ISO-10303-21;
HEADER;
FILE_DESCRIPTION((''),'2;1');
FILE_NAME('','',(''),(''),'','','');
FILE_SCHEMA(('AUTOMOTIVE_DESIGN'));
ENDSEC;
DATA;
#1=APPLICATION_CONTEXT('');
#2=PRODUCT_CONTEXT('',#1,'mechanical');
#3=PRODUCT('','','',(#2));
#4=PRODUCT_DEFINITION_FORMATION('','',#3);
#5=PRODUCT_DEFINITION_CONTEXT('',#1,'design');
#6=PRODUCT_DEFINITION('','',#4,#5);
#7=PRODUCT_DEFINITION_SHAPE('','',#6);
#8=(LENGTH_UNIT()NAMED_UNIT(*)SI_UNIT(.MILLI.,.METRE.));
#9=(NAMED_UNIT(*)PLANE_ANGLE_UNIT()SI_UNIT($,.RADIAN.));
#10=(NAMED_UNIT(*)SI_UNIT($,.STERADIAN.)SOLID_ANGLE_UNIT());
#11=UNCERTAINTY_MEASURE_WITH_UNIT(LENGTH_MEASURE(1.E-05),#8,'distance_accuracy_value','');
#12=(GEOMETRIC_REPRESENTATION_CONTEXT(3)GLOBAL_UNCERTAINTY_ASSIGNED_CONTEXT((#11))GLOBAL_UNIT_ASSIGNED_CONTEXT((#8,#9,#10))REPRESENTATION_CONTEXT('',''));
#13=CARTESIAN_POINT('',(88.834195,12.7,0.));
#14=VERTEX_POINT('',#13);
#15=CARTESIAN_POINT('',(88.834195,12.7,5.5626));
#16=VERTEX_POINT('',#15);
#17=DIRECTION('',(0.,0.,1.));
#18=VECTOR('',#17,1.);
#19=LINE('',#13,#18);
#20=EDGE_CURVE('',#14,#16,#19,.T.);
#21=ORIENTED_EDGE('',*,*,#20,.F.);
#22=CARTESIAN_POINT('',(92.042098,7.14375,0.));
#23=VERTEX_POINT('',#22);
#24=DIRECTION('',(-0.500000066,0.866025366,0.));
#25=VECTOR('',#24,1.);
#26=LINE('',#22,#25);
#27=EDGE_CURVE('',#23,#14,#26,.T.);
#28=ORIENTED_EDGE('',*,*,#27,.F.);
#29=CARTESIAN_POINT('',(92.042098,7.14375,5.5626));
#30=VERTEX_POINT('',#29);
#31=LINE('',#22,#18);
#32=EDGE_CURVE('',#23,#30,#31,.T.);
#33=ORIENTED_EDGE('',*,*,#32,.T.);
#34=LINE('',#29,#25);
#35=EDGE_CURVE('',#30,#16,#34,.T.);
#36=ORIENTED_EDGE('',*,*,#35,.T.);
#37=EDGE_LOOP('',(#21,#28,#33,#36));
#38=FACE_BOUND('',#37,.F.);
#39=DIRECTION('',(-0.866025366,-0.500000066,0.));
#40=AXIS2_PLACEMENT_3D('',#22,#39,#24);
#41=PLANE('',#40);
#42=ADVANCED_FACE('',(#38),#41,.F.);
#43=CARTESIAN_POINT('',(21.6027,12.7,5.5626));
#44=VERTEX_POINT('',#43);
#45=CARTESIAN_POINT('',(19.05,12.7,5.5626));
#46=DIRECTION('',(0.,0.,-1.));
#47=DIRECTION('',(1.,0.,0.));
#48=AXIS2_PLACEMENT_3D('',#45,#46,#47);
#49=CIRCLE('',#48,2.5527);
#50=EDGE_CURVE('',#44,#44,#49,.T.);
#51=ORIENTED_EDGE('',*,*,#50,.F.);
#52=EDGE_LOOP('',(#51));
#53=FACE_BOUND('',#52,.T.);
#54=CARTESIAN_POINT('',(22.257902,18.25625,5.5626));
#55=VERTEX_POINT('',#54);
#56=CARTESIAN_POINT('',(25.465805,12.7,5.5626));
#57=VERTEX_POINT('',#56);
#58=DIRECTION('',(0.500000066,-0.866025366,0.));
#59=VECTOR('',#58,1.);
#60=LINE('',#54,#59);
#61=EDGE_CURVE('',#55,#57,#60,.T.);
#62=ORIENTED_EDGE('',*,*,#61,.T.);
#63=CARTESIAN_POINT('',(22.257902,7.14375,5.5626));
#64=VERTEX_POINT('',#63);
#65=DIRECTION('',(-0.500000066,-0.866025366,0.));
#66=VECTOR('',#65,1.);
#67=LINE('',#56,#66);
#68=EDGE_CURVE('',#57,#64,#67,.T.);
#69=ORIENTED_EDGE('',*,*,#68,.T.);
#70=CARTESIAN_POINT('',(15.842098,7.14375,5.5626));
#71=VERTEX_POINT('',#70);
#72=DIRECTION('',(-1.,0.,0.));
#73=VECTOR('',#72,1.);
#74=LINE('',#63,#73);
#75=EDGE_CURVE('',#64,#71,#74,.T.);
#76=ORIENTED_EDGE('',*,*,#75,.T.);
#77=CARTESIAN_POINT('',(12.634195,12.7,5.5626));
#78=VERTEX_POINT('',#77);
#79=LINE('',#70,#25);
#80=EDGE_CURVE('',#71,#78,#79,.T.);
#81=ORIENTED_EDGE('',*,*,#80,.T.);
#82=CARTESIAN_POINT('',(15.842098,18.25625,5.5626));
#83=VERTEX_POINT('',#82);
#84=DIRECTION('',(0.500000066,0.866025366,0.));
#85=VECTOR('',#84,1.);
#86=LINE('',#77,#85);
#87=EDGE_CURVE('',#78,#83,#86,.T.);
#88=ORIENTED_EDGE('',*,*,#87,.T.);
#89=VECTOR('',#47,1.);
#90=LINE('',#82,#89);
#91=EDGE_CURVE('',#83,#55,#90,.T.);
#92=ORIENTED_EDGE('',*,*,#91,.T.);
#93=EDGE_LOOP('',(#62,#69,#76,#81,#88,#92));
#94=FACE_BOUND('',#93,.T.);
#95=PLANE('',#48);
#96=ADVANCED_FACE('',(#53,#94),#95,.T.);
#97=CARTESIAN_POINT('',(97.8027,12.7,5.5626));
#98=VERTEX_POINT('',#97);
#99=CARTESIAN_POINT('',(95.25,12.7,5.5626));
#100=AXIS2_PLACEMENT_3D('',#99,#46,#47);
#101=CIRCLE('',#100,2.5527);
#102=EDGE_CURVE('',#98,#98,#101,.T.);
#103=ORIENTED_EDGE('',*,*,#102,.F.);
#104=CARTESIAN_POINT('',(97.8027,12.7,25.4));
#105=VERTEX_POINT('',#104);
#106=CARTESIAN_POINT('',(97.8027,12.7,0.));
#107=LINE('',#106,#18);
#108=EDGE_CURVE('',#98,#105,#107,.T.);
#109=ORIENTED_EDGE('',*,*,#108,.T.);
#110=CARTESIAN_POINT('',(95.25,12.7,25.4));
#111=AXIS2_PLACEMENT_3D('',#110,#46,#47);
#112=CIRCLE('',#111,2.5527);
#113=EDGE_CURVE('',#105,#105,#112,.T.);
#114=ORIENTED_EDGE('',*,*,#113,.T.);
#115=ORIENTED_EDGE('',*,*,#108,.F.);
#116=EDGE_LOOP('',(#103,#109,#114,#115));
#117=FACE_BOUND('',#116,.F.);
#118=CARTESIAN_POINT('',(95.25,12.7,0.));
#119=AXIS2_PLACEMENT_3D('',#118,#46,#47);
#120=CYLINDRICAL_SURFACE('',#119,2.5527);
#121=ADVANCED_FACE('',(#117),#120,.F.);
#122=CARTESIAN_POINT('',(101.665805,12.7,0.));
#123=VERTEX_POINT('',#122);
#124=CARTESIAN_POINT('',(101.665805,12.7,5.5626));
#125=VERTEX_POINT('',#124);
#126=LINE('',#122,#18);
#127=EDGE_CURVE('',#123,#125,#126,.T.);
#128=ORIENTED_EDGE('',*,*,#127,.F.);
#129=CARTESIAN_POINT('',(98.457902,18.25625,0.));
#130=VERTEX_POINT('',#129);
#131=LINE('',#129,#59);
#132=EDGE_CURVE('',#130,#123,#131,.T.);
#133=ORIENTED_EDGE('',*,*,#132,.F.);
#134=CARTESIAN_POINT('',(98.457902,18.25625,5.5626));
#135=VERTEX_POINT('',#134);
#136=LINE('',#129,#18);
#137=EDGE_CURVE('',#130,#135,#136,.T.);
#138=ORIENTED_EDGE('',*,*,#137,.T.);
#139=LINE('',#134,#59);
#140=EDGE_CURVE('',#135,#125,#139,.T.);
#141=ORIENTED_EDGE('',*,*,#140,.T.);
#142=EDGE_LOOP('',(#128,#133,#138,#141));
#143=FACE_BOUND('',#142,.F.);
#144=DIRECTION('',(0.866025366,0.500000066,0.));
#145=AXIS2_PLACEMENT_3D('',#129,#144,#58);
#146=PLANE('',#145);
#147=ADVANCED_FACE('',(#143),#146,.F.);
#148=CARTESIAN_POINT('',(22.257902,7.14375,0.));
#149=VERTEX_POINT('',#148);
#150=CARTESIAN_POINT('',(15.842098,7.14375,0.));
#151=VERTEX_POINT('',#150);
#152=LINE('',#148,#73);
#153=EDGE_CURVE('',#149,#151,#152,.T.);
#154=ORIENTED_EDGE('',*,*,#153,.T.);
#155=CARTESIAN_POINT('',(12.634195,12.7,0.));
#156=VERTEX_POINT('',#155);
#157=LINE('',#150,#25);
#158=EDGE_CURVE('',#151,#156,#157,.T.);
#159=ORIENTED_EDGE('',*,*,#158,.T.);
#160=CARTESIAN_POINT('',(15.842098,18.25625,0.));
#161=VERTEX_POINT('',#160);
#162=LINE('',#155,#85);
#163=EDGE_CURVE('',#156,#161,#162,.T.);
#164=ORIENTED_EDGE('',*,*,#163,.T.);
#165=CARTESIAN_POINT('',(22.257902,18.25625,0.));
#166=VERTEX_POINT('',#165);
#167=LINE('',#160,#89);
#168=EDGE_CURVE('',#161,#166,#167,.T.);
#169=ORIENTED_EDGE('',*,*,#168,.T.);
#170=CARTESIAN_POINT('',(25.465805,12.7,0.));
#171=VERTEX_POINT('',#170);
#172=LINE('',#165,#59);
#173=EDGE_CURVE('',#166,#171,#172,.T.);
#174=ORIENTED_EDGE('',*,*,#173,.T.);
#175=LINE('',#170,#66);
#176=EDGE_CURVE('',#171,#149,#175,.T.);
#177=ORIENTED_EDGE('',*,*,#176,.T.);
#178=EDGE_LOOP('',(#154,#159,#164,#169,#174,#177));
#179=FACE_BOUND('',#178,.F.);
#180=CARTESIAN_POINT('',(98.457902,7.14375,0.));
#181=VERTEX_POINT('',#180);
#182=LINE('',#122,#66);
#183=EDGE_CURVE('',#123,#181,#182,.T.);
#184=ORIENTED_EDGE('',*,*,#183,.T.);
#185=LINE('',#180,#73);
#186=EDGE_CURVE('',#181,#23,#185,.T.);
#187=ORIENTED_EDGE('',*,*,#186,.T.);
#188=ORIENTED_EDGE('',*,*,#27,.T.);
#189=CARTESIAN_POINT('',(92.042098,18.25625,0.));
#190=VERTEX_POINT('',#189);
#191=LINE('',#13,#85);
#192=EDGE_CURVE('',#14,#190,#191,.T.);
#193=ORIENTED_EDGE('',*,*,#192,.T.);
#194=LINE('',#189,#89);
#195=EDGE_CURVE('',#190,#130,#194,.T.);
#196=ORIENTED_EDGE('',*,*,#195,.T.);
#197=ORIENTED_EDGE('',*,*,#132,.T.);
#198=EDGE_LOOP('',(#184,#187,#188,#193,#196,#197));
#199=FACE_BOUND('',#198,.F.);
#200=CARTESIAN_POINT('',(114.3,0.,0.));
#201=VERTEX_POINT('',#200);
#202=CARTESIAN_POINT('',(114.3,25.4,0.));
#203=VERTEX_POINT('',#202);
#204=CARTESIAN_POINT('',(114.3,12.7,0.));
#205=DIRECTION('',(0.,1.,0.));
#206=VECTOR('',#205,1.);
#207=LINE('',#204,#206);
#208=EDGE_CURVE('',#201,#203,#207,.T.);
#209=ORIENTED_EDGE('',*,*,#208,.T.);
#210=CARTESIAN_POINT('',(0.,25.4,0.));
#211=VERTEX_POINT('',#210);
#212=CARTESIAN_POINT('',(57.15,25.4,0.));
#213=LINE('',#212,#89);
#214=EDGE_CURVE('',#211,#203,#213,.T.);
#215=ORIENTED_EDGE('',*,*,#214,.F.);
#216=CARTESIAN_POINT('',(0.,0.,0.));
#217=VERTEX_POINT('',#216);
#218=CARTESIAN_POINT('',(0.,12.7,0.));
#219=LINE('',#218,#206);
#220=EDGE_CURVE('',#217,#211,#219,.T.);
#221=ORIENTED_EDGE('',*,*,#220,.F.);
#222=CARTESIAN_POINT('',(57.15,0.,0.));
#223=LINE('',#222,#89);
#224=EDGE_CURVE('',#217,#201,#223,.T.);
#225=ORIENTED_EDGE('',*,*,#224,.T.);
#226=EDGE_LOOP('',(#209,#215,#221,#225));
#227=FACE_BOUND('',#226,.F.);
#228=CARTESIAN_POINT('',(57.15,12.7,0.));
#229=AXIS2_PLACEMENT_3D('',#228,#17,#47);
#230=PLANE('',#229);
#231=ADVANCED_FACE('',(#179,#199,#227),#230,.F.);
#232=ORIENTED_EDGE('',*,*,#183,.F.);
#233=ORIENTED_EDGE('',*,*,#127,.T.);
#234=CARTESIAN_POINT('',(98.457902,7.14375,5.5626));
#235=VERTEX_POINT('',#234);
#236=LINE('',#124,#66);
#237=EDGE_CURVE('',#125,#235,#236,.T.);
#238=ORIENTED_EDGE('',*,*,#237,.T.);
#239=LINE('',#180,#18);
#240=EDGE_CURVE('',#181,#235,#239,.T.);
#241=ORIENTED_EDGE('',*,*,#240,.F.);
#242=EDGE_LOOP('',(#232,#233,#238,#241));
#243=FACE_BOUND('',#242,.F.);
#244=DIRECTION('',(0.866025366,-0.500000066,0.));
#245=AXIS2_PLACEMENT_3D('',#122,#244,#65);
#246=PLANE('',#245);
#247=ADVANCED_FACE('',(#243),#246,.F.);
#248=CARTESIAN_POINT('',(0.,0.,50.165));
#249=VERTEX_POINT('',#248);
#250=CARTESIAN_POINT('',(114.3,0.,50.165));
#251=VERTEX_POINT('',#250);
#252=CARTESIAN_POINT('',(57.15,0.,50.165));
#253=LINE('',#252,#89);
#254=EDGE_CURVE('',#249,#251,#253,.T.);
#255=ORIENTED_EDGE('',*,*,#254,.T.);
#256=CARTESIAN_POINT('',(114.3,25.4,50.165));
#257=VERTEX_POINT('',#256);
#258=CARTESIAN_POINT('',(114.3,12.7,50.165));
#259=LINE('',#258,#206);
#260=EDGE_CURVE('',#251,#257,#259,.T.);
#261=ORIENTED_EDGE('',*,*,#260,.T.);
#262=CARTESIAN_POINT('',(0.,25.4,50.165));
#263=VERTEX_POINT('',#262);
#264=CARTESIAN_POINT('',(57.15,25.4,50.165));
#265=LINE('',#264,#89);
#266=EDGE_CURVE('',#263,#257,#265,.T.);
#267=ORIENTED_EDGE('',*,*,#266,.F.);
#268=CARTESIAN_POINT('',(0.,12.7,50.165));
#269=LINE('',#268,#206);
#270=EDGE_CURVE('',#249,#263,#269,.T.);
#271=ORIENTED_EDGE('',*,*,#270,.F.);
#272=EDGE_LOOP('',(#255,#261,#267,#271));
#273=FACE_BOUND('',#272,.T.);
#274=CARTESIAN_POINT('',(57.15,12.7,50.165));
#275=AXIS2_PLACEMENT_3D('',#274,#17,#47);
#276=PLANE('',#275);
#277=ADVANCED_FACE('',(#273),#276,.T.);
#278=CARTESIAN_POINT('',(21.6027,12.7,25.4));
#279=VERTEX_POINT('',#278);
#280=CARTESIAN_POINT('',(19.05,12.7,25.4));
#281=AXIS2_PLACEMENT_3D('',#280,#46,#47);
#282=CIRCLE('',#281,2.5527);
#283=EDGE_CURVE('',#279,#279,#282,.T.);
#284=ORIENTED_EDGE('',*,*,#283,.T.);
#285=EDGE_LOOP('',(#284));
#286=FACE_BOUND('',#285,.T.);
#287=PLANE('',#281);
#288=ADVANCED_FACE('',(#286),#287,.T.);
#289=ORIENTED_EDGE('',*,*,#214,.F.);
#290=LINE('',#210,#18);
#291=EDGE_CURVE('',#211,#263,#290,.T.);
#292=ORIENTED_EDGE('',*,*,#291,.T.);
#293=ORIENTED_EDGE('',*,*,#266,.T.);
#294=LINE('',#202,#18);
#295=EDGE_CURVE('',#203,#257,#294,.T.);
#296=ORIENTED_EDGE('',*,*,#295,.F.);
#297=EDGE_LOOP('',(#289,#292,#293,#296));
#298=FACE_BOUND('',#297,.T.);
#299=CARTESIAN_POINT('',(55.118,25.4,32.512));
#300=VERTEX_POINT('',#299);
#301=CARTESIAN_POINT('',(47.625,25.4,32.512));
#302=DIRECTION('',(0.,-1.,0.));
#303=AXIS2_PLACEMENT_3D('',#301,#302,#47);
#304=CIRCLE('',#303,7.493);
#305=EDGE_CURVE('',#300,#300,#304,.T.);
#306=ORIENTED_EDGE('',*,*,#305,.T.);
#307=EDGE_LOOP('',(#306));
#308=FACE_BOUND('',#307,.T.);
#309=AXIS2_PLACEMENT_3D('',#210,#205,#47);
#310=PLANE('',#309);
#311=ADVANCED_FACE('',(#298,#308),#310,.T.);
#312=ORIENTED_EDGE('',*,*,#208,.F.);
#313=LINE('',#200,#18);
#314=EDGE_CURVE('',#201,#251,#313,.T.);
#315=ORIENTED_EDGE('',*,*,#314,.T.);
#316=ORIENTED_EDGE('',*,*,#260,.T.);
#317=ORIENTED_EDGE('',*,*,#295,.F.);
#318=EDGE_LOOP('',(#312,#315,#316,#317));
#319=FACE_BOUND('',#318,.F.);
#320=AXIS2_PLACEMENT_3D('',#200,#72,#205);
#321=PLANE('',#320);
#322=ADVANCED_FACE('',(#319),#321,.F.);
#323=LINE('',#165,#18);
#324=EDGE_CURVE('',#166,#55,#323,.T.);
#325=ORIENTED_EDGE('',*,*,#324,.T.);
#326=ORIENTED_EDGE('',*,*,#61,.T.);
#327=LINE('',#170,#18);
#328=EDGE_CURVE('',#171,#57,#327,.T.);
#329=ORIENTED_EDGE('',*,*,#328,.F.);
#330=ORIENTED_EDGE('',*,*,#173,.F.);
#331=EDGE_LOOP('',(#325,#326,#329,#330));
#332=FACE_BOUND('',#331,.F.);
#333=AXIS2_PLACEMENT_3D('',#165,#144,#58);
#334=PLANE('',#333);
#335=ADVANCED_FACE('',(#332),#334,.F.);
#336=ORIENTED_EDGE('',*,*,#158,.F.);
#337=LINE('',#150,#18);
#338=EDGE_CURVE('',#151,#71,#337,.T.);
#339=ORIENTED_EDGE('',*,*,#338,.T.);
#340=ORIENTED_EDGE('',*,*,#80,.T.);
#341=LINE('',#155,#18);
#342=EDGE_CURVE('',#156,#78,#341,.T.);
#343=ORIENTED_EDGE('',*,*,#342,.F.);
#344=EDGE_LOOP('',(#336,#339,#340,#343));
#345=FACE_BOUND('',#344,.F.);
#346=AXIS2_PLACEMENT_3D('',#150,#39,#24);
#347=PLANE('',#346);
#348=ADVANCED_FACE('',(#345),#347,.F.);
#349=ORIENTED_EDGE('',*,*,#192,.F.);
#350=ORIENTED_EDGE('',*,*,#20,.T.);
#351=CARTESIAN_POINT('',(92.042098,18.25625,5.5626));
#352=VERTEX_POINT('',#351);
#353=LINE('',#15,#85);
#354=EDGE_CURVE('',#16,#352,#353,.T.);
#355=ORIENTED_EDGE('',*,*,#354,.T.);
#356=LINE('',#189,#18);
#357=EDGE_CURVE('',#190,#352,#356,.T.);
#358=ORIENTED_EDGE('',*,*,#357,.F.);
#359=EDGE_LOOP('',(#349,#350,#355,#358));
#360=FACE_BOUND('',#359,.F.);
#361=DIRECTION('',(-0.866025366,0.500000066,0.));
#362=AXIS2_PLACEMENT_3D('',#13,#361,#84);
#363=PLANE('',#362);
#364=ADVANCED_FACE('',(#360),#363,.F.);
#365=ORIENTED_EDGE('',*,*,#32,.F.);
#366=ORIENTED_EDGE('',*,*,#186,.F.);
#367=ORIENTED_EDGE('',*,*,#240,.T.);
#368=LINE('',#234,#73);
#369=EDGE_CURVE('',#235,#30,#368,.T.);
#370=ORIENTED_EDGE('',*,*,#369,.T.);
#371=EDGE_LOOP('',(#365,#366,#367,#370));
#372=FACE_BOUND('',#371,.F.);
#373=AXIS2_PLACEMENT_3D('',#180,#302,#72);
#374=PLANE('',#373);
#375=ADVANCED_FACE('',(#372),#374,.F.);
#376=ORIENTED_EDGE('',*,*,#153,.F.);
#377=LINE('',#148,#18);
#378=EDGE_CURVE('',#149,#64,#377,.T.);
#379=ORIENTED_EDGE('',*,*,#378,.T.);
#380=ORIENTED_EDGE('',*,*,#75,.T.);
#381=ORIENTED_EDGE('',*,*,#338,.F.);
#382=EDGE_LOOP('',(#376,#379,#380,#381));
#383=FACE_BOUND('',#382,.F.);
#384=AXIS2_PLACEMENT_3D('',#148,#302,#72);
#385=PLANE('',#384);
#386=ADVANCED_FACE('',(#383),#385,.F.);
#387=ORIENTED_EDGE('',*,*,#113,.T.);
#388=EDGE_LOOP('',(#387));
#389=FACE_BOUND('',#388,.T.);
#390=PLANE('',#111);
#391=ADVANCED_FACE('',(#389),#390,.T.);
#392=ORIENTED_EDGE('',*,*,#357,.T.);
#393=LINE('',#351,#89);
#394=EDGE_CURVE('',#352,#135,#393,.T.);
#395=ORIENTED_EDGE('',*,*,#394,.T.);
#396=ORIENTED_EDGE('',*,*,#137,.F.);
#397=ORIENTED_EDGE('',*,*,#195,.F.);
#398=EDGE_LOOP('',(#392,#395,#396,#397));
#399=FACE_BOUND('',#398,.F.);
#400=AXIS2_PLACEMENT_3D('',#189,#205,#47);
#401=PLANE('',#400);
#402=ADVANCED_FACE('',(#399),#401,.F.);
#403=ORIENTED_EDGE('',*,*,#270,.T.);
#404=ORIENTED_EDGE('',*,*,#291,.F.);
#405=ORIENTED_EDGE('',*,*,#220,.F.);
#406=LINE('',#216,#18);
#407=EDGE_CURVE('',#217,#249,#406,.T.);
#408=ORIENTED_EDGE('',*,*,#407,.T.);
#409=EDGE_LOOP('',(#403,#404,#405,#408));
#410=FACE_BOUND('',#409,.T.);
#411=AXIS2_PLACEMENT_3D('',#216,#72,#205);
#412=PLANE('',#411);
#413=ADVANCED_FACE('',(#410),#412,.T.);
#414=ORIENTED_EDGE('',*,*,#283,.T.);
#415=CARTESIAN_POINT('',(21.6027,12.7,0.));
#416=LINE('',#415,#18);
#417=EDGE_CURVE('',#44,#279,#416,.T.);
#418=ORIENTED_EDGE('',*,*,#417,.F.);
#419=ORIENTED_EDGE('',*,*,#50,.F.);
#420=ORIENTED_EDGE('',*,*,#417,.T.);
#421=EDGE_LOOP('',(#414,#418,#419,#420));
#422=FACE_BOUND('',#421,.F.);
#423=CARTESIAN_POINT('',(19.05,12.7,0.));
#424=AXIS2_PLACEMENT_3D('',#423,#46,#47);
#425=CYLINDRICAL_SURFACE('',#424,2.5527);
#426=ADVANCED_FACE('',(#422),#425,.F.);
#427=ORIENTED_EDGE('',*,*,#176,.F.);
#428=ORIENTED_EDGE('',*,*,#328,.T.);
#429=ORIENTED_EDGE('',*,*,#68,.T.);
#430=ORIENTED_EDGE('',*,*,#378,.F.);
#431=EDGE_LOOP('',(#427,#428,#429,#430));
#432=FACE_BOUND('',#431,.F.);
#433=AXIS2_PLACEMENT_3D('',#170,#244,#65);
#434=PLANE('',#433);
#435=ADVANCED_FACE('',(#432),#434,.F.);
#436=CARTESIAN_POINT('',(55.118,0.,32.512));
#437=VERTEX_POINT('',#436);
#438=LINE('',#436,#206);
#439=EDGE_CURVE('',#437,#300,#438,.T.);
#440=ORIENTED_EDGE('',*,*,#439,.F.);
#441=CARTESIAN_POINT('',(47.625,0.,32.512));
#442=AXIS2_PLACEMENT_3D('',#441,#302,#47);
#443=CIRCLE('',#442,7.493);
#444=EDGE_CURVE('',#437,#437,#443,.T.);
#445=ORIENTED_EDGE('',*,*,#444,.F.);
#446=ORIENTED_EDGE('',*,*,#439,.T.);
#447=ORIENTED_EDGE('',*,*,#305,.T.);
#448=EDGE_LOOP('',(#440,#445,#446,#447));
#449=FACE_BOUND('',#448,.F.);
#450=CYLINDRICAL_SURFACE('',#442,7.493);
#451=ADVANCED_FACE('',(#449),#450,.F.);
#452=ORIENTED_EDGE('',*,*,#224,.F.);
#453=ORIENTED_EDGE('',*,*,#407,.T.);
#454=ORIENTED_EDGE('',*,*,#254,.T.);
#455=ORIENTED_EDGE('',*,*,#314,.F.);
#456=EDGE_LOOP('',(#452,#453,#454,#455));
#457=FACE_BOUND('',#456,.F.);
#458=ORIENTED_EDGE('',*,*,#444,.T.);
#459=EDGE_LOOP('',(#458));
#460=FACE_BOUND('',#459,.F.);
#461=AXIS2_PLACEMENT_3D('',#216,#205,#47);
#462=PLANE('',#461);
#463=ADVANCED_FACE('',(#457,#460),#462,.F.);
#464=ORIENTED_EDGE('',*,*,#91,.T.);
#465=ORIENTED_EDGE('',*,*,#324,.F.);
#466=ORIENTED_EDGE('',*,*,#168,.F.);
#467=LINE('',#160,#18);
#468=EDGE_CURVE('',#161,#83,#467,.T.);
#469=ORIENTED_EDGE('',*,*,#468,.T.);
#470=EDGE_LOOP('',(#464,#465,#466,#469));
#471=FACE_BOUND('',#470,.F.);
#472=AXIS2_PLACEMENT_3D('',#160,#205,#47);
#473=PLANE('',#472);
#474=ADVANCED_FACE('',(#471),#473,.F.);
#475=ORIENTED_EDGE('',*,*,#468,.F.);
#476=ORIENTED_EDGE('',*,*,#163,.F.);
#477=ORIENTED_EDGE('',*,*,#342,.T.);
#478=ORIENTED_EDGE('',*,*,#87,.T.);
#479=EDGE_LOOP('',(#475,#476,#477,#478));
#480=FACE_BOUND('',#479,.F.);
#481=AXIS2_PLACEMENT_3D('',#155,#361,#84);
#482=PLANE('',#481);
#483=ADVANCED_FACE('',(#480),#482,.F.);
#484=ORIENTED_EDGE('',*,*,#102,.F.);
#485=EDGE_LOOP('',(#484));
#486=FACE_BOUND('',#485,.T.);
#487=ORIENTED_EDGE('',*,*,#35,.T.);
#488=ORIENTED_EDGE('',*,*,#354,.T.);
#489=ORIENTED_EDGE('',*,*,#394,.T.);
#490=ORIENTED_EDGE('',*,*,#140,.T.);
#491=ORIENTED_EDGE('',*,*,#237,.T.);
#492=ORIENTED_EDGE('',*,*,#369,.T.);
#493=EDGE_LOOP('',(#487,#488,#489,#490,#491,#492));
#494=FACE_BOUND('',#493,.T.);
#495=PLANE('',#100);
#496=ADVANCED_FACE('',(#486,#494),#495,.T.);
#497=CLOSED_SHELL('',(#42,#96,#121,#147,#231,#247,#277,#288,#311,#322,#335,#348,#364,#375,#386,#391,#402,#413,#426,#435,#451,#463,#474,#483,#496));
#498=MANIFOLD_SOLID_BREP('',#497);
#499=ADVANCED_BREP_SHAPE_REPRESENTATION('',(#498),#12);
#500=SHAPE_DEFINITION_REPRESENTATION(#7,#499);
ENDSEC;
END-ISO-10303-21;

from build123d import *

# Parameters (mm, degrees)
F0_W     = 114.3
F0_H     = 25.4
F1_DEPTH = 50.165
F2_R     = 7.493
F3_DEPTH = 25.4
F4_R     = 2.5527
F5_DEPTH = 25.4
F7_DEPTH = 5.5626


with BuildPart() as f1:
    # F0 (on Top) → F1 (new body)
    with BuildSketch(Plane.XY):
        with Locations((57.15, 12.7)):
            Rectangle(F0_W, F0_H)
    extrude(amount=F1_DEPTH)

    # F2 (on face) → F3 (cut)
    with BuildSketch(Plane.XZ):
        with Locations((47.625, 32.512)):
            Circle(F2_R)
    extrude(amount=-F3_DEPTH, mode=Mode.SUBTRACT)

    # F4 (on face) → F5 (cut)
    with BuildSketch(Plane(origin=(0, 0, 0), x_dir=(1, 0, 0), z_dir=(0, 0, -1))):
        with Locations((19.05, -12.7)):
            Circle(F4_R)
        with Locations((95.25, -12.7)):
            Circle(F4_R)
    extrude(amount=-F5_DEPTH, mode=Mode.SUBTRACT)

    # F6 (on face) → F7 (cut)
    with BuildSketch(Plane(origin=(0, 0, 0), x_dir=(1, 0, 0), z_dir=(0, 0, -1))):
        Polygon((12.634195, -12.7), (15.842098, -18.25625), (22.257902, -18.25625), (25.465805, -12.7), (22.257902, -7.14375), (15.842098, -7.14375), align=None)
        Polygon((88.834195, -12.7), (92.042098, -18.25625), (98.457902, -18.25625), (101.665805, -12.7), (98.457902, -7.14375), (92.042098, -7.14375), align=None)
    extrude(amount=-F7_DEPTH, mode=Mode.SUBTRACT)


solid = f1.part
